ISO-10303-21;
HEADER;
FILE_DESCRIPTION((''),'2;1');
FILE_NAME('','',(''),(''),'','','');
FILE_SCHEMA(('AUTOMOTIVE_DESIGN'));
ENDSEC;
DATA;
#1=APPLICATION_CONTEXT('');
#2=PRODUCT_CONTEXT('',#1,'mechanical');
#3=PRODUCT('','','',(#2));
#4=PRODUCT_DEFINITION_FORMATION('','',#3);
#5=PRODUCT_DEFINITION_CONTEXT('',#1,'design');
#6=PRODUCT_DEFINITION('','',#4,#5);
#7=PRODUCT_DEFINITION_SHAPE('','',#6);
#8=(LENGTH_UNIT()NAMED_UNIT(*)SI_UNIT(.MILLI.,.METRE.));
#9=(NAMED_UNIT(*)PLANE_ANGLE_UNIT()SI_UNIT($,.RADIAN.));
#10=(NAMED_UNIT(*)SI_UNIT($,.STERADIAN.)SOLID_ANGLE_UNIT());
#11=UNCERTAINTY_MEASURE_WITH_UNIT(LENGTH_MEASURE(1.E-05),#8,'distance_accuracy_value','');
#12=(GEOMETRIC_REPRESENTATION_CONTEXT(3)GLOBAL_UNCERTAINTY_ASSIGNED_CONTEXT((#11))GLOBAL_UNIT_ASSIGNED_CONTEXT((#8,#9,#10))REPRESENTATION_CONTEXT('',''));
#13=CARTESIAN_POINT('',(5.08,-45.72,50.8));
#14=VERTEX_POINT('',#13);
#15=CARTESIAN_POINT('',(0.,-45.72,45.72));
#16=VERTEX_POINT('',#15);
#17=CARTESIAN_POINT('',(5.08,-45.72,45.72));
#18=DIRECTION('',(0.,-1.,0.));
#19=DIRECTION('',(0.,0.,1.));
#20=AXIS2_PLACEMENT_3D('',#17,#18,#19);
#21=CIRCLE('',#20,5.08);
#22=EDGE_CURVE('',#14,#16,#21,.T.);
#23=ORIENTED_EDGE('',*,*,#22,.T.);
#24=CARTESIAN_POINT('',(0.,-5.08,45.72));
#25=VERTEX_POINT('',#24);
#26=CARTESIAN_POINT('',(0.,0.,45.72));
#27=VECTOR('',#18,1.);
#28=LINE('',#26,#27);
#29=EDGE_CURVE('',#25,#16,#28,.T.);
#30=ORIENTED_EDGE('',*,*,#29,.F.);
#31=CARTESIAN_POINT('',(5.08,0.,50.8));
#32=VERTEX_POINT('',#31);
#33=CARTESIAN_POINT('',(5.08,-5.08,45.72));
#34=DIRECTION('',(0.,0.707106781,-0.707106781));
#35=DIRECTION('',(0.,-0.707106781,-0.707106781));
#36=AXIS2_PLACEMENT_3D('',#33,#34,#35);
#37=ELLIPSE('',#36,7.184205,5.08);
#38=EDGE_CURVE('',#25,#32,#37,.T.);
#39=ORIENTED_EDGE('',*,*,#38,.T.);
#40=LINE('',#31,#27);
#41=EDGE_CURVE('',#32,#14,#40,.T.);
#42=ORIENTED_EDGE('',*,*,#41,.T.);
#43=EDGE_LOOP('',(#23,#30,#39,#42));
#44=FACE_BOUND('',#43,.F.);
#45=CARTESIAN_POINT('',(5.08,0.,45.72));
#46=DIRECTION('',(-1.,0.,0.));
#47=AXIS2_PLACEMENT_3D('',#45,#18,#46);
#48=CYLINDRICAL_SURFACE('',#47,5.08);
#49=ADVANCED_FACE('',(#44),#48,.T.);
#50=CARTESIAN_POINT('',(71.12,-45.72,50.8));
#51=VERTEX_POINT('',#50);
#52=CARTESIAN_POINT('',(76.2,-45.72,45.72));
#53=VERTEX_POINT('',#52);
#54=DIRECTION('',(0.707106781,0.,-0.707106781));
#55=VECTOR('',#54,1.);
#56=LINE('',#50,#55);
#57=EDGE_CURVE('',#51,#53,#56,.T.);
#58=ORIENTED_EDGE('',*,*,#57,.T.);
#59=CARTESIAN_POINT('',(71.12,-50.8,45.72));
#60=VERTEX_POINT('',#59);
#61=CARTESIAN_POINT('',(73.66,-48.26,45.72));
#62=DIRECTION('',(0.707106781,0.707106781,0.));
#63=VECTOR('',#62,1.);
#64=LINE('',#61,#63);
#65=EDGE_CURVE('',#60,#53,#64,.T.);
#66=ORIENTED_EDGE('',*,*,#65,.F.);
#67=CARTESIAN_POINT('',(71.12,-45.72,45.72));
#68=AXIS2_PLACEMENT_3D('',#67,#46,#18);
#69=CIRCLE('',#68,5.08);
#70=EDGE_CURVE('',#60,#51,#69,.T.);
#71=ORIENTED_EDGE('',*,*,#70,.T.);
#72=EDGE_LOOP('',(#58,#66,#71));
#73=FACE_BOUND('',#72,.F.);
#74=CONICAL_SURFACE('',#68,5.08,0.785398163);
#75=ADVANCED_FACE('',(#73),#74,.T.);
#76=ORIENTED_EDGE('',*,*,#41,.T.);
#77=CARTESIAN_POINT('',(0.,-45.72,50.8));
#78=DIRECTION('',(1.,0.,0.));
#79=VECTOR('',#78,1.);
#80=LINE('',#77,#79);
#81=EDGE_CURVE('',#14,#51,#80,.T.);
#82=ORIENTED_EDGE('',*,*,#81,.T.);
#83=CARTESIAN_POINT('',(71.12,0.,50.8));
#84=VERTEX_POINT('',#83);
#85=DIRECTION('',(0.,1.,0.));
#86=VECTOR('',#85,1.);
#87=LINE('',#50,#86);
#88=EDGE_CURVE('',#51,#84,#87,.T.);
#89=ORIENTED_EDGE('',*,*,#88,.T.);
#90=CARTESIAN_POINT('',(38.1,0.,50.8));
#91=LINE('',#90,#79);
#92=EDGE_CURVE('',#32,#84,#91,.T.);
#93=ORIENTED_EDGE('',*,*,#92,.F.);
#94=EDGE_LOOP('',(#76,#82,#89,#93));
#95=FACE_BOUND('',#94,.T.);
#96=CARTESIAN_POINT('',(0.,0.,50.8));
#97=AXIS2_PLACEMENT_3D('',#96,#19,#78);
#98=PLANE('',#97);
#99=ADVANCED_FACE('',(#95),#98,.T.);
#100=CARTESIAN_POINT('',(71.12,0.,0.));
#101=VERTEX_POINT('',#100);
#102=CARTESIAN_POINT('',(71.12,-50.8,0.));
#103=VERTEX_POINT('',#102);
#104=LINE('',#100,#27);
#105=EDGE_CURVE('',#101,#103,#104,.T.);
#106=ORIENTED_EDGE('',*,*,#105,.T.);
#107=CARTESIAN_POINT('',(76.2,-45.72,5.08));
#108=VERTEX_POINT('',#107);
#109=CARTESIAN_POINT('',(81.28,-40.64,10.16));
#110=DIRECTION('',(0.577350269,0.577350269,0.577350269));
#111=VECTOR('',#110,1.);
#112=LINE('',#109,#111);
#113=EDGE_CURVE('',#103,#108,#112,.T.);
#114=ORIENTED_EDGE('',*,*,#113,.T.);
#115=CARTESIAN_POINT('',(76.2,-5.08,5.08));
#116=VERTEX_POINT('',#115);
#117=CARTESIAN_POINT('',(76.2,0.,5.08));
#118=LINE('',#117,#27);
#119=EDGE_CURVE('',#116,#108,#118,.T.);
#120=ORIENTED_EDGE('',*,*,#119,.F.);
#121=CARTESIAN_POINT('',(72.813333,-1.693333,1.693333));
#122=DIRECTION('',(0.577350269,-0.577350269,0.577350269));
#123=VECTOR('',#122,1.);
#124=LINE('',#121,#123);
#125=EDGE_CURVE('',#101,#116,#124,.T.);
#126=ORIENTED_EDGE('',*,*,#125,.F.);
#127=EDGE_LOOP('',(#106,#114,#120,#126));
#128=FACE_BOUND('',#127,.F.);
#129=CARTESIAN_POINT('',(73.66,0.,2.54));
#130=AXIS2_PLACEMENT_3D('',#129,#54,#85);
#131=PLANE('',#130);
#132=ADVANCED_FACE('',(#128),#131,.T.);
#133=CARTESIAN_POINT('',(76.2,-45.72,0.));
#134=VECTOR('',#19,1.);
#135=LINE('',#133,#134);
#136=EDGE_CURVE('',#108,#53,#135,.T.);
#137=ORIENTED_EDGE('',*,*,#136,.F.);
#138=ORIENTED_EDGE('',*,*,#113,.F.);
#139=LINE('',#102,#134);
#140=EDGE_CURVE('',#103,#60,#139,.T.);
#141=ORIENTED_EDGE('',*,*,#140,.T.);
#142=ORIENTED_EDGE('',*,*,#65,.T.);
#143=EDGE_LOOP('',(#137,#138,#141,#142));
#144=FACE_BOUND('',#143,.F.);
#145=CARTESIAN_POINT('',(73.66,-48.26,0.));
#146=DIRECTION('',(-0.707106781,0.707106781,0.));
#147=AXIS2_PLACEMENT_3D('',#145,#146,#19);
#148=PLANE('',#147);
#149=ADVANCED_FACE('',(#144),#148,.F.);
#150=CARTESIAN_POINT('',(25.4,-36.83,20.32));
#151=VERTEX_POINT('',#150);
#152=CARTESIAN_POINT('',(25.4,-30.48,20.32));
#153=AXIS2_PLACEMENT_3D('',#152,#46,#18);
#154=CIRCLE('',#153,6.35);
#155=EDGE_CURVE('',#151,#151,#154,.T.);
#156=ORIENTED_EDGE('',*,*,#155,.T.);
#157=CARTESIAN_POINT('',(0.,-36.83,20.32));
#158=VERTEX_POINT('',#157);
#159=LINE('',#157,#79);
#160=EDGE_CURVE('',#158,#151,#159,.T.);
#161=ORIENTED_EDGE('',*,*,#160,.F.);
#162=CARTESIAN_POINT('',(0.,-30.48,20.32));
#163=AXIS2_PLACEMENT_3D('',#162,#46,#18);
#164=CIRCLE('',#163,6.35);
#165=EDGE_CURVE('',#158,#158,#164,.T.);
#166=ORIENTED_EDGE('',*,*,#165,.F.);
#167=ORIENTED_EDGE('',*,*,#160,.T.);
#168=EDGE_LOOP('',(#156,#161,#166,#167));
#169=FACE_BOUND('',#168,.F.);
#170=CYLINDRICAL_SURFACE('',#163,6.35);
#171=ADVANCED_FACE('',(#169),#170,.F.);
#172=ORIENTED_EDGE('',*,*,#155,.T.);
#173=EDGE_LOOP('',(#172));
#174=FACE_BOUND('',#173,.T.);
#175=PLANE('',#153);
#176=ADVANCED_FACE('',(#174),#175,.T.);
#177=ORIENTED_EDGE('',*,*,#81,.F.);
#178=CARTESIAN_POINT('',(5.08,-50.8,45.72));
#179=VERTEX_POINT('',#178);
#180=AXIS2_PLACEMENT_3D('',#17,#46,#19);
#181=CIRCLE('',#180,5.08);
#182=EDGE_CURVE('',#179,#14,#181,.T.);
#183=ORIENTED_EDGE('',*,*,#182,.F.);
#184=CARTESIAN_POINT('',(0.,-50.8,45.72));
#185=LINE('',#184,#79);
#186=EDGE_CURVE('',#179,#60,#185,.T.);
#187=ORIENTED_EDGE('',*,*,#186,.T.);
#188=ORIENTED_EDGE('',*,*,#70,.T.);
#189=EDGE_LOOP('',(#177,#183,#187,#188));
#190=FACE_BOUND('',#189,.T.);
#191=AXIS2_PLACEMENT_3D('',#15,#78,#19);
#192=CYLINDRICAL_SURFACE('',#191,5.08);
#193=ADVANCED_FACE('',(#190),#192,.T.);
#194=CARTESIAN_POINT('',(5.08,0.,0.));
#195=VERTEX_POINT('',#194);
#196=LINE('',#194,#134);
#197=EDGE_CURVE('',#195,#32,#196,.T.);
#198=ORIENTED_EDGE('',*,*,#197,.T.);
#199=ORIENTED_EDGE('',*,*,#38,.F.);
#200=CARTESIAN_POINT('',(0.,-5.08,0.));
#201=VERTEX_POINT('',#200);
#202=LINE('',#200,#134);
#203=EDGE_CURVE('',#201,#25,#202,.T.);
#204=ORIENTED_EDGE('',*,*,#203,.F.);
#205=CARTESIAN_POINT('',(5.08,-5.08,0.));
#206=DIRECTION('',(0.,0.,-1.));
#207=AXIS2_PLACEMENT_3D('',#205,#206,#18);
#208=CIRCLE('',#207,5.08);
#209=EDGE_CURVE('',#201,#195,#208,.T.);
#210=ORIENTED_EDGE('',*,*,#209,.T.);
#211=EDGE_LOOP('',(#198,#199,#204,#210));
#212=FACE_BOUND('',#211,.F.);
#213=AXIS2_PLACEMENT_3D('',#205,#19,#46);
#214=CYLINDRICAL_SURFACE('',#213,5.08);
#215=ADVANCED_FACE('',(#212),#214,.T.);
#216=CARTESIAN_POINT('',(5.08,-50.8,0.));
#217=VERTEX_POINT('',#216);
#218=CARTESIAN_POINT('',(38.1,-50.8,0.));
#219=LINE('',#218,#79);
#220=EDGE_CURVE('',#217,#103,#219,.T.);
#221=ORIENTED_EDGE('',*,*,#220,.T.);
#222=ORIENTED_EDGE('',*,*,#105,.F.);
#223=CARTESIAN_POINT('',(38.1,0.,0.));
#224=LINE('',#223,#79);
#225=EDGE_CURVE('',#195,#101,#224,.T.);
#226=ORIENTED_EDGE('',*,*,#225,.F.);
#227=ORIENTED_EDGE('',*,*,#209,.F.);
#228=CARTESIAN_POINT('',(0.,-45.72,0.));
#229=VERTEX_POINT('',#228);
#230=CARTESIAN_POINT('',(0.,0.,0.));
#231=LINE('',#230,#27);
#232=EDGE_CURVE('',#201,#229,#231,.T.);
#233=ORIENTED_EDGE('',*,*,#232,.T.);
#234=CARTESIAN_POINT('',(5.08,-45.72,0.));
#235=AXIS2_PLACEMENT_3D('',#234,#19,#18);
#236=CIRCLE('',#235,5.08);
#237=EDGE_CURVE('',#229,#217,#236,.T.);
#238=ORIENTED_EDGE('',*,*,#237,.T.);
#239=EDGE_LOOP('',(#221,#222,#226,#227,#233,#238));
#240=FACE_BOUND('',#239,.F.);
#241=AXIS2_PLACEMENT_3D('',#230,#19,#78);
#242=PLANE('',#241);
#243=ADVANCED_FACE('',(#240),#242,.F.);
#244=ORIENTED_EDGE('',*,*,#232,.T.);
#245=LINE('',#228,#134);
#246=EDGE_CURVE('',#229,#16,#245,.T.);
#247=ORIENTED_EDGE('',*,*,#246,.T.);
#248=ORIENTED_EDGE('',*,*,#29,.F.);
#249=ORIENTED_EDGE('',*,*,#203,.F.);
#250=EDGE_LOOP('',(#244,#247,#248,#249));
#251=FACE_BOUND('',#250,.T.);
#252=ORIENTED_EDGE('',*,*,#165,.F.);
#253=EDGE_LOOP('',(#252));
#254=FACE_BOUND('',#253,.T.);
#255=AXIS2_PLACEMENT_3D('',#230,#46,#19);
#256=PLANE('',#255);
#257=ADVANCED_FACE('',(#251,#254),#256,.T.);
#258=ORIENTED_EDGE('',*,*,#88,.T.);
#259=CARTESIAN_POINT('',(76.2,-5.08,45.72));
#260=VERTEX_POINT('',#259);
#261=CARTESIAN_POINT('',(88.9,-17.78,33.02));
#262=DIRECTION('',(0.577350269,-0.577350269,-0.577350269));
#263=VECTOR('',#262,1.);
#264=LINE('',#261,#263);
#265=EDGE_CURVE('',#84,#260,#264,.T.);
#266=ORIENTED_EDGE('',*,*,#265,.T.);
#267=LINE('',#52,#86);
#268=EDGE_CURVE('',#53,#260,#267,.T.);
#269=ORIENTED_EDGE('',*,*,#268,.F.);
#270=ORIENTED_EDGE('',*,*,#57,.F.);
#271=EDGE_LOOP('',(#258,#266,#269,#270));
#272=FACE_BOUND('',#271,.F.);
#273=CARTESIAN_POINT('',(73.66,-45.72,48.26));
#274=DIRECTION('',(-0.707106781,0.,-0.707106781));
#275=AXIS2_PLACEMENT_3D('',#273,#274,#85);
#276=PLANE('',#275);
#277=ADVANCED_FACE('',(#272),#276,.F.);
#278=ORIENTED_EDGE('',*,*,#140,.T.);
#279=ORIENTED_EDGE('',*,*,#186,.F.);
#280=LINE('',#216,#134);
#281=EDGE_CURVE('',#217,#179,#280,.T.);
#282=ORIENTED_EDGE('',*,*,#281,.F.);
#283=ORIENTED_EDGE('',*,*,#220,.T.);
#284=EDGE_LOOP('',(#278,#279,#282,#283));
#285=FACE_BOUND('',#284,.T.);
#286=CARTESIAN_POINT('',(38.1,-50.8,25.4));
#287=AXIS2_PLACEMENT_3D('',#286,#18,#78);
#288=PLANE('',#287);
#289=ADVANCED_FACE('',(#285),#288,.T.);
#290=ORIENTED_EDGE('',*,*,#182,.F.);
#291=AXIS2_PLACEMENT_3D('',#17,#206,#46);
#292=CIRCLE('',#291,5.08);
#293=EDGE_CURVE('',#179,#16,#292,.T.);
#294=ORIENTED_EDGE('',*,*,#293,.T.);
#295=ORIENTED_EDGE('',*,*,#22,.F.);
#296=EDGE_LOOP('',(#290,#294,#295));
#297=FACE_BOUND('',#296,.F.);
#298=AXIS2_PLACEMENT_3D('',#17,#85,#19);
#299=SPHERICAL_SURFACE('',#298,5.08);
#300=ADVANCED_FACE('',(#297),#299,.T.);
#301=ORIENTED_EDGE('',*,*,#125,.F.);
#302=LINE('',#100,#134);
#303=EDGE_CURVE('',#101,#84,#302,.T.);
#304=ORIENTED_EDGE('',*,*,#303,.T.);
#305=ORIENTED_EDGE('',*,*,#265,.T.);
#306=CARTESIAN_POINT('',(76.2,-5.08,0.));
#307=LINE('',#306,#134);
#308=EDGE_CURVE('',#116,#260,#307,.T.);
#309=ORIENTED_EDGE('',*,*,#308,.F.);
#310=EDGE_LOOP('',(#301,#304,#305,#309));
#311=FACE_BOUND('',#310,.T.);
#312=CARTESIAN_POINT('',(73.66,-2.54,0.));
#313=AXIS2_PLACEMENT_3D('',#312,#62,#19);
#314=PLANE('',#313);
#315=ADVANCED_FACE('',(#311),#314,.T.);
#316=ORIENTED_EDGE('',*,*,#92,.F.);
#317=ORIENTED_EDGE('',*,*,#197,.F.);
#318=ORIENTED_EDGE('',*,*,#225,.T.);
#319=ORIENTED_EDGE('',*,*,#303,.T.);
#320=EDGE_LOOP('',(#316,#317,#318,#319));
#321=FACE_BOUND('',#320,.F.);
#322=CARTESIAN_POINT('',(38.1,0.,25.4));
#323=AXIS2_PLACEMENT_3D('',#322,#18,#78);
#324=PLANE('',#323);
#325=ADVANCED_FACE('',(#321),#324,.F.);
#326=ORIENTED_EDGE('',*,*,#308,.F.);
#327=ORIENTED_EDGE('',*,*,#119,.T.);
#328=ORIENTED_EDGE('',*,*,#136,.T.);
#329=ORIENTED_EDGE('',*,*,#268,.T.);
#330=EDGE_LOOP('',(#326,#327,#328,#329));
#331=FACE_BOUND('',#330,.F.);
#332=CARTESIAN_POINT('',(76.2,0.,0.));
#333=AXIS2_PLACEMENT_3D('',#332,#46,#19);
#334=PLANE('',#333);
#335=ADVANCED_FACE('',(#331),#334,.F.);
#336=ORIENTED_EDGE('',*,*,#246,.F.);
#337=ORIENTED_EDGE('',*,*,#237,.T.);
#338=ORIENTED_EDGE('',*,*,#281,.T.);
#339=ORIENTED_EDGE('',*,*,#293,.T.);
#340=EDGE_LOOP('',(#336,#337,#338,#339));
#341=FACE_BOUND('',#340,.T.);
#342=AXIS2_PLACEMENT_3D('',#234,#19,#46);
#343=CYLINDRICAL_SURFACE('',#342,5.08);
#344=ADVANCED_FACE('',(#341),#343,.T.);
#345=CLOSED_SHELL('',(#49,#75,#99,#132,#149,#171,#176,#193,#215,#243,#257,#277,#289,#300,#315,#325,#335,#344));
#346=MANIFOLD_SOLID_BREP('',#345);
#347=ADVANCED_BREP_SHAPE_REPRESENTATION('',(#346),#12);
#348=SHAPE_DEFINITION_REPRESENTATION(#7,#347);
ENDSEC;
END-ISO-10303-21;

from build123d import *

# Parameters (mm, degrees)
F0_W          = 76.2
F0_H          = 50.8
F1_DEPTH      = 50.8
F2_R          = 5.08
F3_R          = 6.35
F4_DEPTH      = 25.4
F4_DEPTH_BACK = 25.4
F5_SIZE       = 5.08


with BuildPart() as f1:
    # F0 (on Front) → F1 (new body)
    with BuildSketch(Plane.XZ):
        with Locations((38.1, 25.4)):
            Rectangle(F0_W, F0_H)
    extrude(amount=F1_DEPTH)

    # F2
    f2_edges = [f1.edges().sort_by_distance(p)[0] for p in [
        (0, -25.4, 50.8),
        (38.1, -50.8, 50.8),
        (0, -50.8, 25.4),
        (0, 0, 25.4),
    ]]
    fillet(f2_edges, radius=F2_R)

    # F3 (on face) → F4 (cut, two sides)
    with BuildSketch(Plane(origin=(0, 0, 0), x_dir=(0, -1, 0), z_dir=(-1, 0, 0))) as f4_sk:
        with Locations((30.48, 20.32)):
            Circle(F3_R)
    extrude(amount=-F4_DEPTH, mode=Mode.SUBTRACT)
    extrude(f4_sk.sketch, amount=-F4_DEPTH_BACK, mode=Mode.SUBTRACT)

    # F5
    f5_edges = [f1.edges().sort_by_distance(p)[0] for p in [
        (76.2, -50.8, 22.86),
        (76.2, -25.4, 0),
        (76.2, 0, 25.4),
    ]]
    chamfer(f5_edges, length=F5_SIZE)


solid = f1.part
